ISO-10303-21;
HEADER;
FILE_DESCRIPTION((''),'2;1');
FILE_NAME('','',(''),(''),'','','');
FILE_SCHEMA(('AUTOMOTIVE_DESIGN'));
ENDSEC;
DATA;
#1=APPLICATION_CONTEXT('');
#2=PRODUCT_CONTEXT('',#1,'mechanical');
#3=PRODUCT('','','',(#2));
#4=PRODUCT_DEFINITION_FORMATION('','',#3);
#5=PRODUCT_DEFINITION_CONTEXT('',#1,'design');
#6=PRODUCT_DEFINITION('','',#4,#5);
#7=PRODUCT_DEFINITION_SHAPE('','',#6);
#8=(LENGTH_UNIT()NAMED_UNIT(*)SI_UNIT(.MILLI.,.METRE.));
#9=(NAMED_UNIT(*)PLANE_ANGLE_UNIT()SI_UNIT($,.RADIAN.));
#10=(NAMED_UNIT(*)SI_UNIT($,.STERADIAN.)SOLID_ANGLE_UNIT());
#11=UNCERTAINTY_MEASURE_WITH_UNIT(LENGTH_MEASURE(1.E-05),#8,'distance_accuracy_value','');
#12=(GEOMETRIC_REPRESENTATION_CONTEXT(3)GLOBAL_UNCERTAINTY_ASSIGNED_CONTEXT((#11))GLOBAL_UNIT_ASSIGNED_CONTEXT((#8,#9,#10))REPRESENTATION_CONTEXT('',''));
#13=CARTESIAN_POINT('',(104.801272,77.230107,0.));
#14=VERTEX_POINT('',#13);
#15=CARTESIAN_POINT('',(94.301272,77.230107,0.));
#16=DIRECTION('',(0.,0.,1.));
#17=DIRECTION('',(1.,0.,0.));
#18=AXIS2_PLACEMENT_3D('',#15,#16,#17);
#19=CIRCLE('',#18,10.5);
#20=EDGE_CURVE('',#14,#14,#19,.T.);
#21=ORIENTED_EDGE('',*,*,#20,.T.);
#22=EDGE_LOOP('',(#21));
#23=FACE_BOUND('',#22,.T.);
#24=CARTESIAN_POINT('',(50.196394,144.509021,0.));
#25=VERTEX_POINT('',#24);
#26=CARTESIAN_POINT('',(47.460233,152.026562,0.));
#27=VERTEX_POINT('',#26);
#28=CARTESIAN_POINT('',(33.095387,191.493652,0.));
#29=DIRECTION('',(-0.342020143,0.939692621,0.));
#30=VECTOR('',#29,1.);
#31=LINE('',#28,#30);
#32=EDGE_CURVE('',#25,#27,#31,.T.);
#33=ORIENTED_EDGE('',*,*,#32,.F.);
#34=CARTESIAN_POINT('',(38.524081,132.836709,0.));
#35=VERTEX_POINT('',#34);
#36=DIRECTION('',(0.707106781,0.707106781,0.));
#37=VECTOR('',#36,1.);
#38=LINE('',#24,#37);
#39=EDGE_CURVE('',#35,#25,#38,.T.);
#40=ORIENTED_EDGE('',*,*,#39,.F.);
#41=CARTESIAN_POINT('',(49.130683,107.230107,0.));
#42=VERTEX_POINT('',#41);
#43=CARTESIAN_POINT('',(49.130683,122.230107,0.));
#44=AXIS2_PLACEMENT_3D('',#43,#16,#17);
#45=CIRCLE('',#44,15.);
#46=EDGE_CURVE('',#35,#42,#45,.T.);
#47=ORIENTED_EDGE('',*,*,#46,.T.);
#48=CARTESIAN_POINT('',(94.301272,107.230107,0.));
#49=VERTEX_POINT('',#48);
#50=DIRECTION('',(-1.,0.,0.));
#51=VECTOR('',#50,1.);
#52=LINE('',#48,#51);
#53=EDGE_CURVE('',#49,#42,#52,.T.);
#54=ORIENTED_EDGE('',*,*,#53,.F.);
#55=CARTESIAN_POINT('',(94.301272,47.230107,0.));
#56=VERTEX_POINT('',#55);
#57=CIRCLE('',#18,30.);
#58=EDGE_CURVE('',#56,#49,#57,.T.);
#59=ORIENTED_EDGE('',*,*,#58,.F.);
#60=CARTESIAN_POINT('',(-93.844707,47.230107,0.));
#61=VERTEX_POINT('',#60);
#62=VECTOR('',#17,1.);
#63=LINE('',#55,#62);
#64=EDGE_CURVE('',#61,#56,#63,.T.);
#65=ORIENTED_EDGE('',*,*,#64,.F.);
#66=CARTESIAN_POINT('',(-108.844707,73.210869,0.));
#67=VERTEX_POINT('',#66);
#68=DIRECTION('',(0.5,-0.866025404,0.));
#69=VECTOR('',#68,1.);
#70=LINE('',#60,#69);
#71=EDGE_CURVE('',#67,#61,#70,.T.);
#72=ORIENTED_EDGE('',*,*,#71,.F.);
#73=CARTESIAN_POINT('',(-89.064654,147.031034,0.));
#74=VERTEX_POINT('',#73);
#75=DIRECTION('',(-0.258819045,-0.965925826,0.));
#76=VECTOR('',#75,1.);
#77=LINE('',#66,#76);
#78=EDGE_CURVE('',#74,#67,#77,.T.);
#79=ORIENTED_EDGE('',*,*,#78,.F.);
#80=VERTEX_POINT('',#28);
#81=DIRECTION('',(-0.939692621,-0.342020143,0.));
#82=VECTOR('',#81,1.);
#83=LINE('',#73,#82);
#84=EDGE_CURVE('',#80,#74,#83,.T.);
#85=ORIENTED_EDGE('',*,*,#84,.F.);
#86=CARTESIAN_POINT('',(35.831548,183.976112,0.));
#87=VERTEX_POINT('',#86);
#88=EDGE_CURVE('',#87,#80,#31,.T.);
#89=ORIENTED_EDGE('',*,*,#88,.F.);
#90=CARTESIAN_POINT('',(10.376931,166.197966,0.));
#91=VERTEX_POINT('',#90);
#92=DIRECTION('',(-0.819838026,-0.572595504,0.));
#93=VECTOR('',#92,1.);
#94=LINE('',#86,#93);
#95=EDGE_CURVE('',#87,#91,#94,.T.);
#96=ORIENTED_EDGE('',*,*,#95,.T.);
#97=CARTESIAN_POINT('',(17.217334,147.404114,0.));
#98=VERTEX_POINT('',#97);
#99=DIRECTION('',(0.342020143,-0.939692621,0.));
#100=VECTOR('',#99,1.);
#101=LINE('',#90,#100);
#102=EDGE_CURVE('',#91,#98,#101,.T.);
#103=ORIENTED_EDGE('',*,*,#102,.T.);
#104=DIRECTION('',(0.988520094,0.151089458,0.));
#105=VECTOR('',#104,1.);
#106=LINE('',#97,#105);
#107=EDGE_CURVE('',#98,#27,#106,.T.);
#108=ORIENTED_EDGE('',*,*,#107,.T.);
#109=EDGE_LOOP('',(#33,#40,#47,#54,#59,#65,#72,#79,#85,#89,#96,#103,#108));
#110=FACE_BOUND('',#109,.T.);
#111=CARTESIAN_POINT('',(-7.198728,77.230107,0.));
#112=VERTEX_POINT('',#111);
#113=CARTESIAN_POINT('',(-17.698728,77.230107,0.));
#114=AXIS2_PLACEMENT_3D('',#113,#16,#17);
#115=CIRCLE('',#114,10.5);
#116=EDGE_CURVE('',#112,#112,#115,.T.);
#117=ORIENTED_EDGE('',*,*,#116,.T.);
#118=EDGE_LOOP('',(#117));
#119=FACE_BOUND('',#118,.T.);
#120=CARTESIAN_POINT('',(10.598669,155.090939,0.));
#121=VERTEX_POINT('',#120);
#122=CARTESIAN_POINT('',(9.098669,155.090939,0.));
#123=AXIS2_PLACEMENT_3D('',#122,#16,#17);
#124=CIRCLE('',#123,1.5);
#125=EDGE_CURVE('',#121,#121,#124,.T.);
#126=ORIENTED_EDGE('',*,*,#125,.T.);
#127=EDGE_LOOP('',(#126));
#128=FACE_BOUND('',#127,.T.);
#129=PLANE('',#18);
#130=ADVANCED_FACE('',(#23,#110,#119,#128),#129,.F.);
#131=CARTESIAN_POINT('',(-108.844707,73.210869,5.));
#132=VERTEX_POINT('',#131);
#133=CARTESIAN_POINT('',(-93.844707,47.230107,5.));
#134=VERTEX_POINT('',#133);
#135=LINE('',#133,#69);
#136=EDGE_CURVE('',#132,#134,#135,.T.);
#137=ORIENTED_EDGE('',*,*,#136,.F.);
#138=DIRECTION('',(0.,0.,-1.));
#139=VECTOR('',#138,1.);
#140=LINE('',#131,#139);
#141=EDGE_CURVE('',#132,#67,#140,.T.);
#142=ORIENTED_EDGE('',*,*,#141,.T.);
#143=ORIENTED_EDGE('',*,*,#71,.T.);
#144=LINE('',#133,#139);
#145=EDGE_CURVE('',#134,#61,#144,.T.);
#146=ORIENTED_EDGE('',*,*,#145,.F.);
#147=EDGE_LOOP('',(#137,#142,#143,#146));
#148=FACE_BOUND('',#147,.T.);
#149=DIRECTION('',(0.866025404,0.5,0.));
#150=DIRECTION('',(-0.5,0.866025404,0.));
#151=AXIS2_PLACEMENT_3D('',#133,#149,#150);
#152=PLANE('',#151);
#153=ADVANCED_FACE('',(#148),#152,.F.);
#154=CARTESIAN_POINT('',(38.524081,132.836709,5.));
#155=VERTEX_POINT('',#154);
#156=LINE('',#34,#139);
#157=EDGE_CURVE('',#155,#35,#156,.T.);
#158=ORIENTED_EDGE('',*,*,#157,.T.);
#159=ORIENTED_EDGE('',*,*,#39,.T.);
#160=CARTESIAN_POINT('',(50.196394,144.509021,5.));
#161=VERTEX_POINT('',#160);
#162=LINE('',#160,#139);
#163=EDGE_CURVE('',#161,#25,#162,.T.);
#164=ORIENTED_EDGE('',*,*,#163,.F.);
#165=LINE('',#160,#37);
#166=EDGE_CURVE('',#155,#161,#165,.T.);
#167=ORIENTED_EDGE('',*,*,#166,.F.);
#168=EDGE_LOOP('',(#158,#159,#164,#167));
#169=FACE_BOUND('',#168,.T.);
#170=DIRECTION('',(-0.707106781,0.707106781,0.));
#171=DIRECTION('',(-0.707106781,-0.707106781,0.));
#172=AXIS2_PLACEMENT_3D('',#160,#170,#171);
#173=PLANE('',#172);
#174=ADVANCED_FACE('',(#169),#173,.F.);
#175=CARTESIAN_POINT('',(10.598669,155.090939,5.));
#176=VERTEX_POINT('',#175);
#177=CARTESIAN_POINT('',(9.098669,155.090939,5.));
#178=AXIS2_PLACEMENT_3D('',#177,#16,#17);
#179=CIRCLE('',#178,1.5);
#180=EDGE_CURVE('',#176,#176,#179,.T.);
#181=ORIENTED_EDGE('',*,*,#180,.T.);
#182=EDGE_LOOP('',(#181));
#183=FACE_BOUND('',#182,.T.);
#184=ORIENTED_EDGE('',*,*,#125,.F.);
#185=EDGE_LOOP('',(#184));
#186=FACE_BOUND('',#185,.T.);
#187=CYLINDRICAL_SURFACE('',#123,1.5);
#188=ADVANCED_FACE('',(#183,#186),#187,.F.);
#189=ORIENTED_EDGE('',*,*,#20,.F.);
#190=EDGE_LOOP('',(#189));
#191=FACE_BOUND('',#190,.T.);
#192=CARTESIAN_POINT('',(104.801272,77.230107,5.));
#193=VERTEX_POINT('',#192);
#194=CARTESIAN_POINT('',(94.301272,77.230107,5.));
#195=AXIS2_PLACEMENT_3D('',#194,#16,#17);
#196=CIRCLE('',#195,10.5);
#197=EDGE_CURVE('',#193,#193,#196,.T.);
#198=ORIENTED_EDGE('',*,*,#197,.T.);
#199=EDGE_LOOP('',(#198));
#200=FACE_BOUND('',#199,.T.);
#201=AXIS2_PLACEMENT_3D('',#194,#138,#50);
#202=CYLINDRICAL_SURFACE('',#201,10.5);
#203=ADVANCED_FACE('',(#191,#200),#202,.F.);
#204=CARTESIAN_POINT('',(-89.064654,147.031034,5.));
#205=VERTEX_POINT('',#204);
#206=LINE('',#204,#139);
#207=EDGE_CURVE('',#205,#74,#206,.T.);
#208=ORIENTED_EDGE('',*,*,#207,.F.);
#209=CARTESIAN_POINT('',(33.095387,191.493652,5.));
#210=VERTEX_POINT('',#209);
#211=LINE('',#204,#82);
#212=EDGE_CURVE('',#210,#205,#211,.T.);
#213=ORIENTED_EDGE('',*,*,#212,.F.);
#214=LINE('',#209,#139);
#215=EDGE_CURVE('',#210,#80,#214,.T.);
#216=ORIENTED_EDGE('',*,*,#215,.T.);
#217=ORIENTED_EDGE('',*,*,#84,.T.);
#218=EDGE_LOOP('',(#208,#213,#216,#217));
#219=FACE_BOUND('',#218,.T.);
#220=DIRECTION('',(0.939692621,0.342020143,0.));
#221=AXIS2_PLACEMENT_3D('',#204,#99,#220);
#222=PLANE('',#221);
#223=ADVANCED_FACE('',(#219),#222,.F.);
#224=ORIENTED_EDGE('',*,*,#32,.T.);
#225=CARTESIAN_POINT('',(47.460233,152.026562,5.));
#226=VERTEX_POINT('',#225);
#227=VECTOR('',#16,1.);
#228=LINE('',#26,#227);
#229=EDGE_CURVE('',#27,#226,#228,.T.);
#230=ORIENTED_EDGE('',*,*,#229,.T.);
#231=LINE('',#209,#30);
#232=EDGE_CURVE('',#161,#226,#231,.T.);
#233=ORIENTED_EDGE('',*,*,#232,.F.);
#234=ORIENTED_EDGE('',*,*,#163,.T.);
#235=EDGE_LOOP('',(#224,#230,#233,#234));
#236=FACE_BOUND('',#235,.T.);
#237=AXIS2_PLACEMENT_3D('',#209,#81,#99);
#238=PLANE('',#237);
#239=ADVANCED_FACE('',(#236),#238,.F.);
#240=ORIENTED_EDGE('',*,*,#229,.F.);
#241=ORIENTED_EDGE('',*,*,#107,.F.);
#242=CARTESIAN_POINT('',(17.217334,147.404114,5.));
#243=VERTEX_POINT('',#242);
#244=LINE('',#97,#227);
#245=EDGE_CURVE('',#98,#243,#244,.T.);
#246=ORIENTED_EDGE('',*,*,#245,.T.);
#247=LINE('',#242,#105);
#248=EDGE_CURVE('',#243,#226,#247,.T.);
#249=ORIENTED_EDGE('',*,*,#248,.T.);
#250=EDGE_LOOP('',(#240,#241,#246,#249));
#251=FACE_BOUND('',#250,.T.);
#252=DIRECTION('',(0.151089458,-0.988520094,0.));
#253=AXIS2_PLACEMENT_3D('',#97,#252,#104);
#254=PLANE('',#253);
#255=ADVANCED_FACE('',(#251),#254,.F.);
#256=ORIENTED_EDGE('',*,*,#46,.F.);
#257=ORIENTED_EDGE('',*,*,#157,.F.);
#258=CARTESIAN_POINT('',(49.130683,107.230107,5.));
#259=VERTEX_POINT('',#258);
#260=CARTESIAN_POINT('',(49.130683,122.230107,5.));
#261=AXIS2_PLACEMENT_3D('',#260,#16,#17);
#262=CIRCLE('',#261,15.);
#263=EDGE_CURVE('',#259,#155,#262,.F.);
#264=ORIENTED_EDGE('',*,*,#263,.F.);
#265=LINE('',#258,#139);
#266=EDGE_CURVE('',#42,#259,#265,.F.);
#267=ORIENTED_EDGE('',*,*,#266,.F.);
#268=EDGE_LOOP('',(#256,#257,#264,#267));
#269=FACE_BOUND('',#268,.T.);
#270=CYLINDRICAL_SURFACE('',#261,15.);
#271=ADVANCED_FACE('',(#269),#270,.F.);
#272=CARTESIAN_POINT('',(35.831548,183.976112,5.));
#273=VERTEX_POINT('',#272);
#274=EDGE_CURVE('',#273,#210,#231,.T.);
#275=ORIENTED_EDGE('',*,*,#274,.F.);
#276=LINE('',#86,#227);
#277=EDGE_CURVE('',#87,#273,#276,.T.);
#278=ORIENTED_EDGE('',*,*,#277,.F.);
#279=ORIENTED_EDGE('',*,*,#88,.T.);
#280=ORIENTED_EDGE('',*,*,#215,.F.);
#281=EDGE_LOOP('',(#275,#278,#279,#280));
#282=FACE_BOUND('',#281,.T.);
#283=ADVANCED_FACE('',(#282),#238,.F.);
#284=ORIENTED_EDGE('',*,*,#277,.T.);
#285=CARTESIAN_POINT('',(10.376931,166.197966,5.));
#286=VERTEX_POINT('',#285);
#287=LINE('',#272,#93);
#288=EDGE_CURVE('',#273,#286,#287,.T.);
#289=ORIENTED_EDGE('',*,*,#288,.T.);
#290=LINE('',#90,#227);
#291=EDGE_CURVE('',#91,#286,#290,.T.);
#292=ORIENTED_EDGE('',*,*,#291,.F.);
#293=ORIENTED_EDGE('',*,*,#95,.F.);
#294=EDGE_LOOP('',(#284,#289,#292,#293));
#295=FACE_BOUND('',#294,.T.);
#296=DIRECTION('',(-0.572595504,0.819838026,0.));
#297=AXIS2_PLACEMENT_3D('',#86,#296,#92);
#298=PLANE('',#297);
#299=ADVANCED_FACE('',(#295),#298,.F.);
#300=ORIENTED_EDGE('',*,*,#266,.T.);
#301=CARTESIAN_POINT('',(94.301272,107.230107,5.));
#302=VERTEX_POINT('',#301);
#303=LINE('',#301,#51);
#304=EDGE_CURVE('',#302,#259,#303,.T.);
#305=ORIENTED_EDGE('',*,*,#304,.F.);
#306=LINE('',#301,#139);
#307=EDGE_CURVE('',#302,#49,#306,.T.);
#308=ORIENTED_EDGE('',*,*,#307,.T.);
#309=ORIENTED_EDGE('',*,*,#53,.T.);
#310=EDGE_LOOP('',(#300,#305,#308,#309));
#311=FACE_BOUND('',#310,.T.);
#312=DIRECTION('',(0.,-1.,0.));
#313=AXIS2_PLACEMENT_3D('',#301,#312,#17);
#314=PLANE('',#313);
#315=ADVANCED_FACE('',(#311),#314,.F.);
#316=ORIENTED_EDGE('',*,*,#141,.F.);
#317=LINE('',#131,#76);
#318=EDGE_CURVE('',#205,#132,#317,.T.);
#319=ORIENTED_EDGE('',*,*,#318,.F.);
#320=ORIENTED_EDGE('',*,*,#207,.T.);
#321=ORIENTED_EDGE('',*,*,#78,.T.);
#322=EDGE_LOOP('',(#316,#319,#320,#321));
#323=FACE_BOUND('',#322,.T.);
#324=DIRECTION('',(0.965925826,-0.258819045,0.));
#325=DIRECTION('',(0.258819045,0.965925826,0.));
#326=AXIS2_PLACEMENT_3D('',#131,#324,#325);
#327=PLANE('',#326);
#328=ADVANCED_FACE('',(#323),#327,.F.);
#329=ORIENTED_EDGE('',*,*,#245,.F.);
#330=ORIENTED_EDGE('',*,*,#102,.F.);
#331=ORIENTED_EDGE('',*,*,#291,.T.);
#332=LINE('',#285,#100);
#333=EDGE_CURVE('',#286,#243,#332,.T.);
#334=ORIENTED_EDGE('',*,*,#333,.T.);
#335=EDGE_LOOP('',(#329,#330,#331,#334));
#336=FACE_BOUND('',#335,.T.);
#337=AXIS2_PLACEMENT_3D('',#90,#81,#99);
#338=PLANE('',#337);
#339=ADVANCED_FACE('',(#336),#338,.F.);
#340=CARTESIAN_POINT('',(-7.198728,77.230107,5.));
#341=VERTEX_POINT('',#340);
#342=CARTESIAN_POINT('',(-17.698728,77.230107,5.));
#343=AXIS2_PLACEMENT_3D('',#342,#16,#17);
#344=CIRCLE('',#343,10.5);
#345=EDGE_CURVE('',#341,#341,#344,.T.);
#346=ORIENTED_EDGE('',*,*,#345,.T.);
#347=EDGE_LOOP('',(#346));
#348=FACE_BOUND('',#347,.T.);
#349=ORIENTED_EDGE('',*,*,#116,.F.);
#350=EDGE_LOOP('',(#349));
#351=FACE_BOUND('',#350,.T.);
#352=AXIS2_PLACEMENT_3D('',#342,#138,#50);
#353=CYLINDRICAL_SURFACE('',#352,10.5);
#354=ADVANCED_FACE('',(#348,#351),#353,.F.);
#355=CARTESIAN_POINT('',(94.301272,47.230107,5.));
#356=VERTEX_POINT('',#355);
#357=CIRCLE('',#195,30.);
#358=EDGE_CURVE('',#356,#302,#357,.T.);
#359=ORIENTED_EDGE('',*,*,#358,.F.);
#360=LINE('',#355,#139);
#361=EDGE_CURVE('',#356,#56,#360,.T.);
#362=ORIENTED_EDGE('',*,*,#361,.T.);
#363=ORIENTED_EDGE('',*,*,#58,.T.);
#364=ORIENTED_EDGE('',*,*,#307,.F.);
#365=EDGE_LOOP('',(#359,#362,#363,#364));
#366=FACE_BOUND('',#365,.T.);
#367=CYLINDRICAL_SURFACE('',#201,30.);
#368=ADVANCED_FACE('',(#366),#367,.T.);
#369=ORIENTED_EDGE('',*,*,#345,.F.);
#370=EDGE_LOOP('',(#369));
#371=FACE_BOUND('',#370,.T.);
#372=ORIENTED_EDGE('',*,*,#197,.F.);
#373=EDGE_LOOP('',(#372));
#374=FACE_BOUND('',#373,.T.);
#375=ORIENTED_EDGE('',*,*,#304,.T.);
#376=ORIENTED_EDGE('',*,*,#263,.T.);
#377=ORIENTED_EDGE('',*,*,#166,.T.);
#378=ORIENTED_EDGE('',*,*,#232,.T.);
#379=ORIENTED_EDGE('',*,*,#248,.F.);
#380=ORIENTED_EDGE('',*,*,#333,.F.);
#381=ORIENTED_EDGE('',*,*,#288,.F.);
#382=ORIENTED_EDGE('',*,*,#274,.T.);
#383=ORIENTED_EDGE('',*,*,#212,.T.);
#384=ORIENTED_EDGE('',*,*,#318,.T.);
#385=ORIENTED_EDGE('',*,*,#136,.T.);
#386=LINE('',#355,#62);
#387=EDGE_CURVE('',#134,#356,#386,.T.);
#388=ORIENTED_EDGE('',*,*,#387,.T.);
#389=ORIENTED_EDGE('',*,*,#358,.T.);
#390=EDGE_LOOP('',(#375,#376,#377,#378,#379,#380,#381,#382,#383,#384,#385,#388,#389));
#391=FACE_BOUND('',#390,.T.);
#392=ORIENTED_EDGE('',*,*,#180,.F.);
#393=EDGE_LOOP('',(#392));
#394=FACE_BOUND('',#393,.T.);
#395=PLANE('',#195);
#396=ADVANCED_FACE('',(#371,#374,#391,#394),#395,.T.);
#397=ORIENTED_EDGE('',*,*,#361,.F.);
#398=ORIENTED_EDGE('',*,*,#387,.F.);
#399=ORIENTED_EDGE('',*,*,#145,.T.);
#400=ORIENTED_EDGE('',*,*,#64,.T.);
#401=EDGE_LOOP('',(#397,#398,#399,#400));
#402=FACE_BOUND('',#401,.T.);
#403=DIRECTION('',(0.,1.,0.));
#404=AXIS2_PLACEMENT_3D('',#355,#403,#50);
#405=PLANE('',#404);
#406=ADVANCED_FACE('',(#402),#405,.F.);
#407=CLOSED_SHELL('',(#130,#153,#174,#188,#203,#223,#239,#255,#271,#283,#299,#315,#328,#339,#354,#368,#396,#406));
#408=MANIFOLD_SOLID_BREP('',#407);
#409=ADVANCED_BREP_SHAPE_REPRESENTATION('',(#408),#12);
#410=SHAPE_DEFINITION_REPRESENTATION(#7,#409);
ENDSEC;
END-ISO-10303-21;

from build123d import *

# Parameters (mm, degrees)
SKETCH1_R           = 10.5
BOSS_EXTRUDE1_DEPTH = 5
FILLET1_R           = 15
SKETCH2_R           = 1.5
CUT_EXTRUDE1_DEPTH  = 5


with BuildPart() as part:
    # Sketch1 → Boss-Extrude1 (new body)
    with BuildSketch(Plane.XY):
        with BuildLine():
            Line((94.301272012, 107.23010703), (12.917479745, 107.23010703))
            Line((12.917479745, 107.23010703), (50.196394157, 144.509021441))
            Line((50.196394157, 144.509021441), (33.09538699, 191.493652481))
            Line((33.09538699, 191.493652481), (-89.064653712, 147.031033848))
            Line((-89.064653712, 147.031033848), (-108.84470723, 73.210869143))
            Line((-108.84470723, 73.210869143), (-93.84470723, 47.23010703))
            Line((-93.84470723, 47.23010703), (94.301272012, 47.23010703))
            ThreePointArc((94.301272012, 47.23010703), (124.301272012, 77.23010703), (94.301272012, 107.23010703))
        make_face()
        with Locations((-17.698727988, 77.23010703)):
            Circle(SKETCH1_R, mode=Mode.SUBTRACT)
        with Locations((94.301272012, 77.23010703)):
            Circle(SKETCH1_R, mode=Mode.SUBTRACT)
    extrude(amount=BOSS_EXTRUDE1_DEPTH)

    # Fillet1
    fillet1_edges = [part.edges().sort_by_distance(p)[0] for p in [
        (12.917479745, 107.23010703, 2.5),
    ]]
    fillet(fillet1_edges, radius=FILLET1_R)

    # Sketch2 → Cut-Extrude1 (cut)
    with BuildSketch(Plane.XY.offset(5)):
        with Locations((9.098668989, 155.090939324)):
            Circle(SKETCH2_R)
        Polygon((35.831548137, 183.976111514), (10.37693066, 166.197966248), (17.217333526, 147.404113833), (47.46023301, 152.026562408), align=None)
    extrude(amount=-CUT_EXTRUDE1_DEPTH, mode=Mode.SUBTRACT)


solid = part.part
